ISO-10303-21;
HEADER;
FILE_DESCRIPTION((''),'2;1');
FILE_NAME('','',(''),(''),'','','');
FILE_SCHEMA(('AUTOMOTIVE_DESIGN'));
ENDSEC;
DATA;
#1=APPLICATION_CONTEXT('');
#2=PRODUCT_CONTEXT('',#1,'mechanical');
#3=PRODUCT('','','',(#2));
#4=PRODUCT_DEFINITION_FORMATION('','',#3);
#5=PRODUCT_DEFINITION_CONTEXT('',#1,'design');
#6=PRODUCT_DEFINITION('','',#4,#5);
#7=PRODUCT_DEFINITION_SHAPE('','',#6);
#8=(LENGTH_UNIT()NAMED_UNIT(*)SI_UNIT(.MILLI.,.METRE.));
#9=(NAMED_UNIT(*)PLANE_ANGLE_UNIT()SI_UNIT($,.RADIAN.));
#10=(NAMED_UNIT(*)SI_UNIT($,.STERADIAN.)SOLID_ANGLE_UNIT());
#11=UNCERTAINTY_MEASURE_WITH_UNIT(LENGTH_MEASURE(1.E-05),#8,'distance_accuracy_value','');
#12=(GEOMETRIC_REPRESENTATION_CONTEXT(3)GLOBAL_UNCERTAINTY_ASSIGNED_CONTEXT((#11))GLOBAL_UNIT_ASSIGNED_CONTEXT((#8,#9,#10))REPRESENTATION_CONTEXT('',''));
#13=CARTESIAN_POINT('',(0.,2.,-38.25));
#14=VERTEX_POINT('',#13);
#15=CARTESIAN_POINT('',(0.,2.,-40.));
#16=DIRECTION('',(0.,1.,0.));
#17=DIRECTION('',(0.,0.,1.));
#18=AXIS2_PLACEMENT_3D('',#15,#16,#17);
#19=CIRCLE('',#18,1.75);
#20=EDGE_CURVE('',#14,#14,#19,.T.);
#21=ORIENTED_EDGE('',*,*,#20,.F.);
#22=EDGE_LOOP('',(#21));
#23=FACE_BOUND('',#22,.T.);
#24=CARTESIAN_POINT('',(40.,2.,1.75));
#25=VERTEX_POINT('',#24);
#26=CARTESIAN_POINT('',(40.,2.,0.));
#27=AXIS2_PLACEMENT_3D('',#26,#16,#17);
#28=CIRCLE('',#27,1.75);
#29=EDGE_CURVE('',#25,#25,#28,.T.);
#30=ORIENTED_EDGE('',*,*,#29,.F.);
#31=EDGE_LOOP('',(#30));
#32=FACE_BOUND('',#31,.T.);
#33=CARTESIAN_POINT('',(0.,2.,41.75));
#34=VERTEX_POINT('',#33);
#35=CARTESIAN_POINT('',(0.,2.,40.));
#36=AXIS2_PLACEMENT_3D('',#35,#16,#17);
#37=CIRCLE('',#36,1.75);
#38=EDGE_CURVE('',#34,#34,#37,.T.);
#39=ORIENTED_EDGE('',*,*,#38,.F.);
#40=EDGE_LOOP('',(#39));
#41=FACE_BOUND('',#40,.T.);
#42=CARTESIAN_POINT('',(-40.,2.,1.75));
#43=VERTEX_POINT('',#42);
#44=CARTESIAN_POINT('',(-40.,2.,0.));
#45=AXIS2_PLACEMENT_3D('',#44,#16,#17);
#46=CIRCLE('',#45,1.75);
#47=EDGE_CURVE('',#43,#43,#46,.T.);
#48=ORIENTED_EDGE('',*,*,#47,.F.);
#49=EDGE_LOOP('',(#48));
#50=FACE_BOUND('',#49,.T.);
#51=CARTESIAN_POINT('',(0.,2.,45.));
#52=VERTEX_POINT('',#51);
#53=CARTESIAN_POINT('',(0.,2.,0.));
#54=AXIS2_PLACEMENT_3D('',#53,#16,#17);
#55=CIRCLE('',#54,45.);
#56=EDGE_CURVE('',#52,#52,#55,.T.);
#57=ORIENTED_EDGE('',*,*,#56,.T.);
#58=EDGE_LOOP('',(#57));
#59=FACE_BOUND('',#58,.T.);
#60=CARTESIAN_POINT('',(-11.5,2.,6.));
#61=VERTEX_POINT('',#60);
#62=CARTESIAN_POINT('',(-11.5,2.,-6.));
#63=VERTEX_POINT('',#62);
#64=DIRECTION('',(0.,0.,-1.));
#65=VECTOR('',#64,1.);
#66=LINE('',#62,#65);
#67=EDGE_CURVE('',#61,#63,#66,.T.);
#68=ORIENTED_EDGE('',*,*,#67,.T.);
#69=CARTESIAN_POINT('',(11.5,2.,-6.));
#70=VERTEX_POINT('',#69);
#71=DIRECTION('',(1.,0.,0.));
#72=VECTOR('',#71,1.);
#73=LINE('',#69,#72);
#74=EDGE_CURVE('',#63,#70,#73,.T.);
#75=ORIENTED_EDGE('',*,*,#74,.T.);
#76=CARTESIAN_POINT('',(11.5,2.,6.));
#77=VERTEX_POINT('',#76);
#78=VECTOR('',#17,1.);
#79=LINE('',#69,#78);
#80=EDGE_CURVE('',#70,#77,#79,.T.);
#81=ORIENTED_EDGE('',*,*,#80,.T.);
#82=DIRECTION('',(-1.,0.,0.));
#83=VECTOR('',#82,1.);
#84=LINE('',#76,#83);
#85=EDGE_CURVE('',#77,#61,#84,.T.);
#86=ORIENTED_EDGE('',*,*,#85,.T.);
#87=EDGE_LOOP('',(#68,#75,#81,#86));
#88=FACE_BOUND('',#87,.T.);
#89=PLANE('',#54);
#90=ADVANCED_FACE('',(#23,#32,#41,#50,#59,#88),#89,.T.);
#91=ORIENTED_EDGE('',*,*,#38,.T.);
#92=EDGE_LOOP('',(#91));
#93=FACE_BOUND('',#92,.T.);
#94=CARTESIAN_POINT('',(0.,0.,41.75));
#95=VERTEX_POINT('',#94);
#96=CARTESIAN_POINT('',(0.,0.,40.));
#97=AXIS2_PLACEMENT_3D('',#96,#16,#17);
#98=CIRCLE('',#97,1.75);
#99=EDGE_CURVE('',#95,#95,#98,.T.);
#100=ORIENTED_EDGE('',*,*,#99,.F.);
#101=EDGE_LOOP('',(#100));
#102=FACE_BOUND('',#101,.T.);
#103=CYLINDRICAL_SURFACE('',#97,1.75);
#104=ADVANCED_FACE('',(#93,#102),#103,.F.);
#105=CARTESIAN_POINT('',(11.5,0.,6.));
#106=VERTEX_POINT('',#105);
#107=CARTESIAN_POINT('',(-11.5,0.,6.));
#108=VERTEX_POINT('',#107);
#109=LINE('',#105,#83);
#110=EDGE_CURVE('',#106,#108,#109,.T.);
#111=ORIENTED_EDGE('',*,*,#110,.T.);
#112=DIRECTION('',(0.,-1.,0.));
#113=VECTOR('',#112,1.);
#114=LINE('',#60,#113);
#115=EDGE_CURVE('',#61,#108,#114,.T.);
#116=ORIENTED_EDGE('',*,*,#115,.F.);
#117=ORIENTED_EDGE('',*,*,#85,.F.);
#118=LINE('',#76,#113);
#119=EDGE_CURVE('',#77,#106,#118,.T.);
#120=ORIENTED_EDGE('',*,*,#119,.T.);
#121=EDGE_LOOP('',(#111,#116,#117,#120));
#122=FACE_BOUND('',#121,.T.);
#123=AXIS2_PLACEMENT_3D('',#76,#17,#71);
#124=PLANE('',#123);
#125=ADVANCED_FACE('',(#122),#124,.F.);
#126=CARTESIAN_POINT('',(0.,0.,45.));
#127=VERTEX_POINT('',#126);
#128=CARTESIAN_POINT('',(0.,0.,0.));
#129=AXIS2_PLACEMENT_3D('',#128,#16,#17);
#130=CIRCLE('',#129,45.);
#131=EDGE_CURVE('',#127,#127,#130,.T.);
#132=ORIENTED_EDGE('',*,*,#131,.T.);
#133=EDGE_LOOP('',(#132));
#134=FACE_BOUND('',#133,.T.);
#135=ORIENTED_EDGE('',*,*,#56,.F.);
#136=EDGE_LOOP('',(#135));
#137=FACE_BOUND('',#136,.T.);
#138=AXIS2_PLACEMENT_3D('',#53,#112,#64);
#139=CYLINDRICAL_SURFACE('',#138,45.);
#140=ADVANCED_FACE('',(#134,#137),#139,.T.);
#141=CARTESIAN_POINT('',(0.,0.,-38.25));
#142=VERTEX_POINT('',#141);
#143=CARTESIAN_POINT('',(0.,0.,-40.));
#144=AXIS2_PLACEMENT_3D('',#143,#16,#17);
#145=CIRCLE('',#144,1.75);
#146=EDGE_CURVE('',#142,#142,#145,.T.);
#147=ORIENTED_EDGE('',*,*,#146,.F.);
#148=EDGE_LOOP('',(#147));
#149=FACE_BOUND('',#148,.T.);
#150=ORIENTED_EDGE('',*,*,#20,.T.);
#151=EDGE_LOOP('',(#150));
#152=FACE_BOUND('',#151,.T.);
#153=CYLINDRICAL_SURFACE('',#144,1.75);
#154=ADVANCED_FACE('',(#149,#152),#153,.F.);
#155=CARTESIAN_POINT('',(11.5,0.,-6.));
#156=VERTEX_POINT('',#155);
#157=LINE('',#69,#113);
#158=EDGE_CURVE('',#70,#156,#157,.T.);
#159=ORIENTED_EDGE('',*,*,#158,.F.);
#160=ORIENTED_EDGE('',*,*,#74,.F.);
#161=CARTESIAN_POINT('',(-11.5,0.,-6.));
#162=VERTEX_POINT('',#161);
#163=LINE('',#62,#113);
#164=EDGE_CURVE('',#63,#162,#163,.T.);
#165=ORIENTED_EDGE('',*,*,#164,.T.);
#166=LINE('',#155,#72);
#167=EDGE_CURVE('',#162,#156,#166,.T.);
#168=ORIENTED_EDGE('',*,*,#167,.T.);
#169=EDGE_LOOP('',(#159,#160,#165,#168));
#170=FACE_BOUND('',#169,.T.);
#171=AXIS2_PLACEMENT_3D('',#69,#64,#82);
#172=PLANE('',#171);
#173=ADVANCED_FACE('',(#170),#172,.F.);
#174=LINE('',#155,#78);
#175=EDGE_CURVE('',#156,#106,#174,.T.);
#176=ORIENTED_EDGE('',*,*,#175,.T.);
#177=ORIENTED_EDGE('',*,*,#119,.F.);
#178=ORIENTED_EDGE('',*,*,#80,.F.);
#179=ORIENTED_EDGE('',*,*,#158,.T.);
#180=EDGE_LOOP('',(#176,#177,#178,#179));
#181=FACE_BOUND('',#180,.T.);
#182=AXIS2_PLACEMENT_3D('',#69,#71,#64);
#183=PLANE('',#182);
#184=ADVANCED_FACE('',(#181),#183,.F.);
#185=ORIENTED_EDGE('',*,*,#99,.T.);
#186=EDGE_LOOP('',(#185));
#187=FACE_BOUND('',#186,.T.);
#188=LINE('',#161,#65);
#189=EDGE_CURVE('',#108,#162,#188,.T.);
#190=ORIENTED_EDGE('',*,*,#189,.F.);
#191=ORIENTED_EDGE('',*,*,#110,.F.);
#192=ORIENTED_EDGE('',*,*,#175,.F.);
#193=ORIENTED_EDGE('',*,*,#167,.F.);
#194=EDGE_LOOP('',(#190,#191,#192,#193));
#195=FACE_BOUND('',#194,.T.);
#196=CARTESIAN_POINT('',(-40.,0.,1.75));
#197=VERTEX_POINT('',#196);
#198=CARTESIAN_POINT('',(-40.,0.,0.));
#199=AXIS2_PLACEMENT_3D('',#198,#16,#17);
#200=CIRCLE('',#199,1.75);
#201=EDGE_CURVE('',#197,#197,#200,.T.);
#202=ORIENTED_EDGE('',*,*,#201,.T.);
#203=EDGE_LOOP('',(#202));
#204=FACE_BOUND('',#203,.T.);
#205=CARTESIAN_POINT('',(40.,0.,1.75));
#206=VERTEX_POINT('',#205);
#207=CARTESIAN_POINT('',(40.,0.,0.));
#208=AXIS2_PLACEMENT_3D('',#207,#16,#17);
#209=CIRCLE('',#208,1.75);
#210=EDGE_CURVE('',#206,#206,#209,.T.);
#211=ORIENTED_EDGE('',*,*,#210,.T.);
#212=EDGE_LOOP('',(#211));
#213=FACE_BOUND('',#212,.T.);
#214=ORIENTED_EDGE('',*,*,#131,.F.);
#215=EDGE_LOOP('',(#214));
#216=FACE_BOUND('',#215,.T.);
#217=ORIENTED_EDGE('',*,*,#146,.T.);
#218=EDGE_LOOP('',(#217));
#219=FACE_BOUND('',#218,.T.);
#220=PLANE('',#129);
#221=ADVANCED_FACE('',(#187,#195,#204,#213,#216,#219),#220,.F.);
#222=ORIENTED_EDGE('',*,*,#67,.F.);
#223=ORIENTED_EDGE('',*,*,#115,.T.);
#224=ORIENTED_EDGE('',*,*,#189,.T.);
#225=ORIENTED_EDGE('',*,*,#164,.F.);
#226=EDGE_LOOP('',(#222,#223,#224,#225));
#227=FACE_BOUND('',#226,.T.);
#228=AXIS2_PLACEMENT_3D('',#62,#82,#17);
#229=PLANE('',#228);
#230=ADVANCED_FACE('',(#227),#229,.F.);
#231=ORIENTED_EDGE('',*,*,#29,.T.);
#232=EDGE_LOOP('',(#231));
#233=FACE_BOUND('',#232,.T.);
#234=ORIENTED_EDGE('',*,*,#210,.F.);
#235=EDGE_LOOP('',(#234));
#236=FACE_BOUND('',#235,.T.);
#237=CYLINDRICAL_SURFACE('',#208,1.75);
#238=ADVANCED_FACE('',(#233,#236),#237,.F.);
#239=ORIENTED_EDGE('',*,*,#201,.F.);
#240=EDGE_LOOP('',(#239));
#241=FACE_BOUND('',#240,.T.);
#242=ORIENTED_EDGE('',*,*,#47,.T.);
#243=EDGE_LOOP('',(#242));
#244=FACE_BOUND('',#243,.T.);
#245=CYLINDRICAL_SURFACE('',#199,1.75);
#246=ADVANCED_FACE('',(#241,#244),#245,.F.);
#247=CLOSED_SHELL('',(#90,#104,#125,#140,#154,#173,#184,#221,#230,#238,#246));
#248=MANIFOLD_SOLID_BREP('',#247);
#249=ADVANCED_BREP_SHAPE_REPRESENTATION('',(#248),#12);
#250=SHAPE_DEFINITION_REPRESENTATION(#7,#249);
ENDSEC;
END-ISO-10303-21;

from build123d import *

# Parameters (mm, degrees)
SKETCH2_R           = 45
BOSS_EXTRUDE1_DEPTH = 2
SKETCH4_R           = 1.75
CUT_EXTRUDE1_DEPTH  = 64.671029519
SKETCH5_W           = 23
SKETCH5_H           = 12
CUT_EXTRUDE2_DEPTH  = 64.671029519


with BuildPart() as part:
    # Sketch2 → Boss-Extrude1 (new body)
    with BuildSketch(Plane(origin=(0, 0, 0), x_dir=(1, 0, 0), z_dir=(0, 1, 0))):
        with Locations(Location((0, 0, 0), (0, 0, 270))):
            Circle(SKETCH2_R)
    extrude(amount=BOSS_EXTRUDE1_DEPTH)

    # Sketch4 → Cut-Extrude1 (cut, through all)
    with BuildSketch(Plane(origin=(0, 2, 0), x_dir=(1, 0, 0), z_dir=(0, 1, 0))):
        with Locations(Location((0, 40, 0), (0, 0, 270))):
            Circle(SKETCH4_R)
        with Locations(Location((40, 0, 0), (0, 0, 270))):
            Circle(SKETCH4_R)
        with Locations(Location((0, -40, 0), (0, 0, 270))):
            Circle(SKETCH4_R)
        with Locations(Location((-40, 0, 0), (0, 0, 270))):
            Circle(SKETCH4_R)
    extrude(amount=-CUT_EXTRUDE1_DEPTH, mode=Mode.SUBTRACT)

    # Sketch5 → Cut-Extrude2 (cut, through all)
    with BuildSketch(Plane.XZ):
        Rectangle(SKETCH5_W, SKETCH5_H)
    extrude(amount=-CUT_EXTRUDE2_DEPTH, mode=Mode.SUBTRACT)


solid = part.part
